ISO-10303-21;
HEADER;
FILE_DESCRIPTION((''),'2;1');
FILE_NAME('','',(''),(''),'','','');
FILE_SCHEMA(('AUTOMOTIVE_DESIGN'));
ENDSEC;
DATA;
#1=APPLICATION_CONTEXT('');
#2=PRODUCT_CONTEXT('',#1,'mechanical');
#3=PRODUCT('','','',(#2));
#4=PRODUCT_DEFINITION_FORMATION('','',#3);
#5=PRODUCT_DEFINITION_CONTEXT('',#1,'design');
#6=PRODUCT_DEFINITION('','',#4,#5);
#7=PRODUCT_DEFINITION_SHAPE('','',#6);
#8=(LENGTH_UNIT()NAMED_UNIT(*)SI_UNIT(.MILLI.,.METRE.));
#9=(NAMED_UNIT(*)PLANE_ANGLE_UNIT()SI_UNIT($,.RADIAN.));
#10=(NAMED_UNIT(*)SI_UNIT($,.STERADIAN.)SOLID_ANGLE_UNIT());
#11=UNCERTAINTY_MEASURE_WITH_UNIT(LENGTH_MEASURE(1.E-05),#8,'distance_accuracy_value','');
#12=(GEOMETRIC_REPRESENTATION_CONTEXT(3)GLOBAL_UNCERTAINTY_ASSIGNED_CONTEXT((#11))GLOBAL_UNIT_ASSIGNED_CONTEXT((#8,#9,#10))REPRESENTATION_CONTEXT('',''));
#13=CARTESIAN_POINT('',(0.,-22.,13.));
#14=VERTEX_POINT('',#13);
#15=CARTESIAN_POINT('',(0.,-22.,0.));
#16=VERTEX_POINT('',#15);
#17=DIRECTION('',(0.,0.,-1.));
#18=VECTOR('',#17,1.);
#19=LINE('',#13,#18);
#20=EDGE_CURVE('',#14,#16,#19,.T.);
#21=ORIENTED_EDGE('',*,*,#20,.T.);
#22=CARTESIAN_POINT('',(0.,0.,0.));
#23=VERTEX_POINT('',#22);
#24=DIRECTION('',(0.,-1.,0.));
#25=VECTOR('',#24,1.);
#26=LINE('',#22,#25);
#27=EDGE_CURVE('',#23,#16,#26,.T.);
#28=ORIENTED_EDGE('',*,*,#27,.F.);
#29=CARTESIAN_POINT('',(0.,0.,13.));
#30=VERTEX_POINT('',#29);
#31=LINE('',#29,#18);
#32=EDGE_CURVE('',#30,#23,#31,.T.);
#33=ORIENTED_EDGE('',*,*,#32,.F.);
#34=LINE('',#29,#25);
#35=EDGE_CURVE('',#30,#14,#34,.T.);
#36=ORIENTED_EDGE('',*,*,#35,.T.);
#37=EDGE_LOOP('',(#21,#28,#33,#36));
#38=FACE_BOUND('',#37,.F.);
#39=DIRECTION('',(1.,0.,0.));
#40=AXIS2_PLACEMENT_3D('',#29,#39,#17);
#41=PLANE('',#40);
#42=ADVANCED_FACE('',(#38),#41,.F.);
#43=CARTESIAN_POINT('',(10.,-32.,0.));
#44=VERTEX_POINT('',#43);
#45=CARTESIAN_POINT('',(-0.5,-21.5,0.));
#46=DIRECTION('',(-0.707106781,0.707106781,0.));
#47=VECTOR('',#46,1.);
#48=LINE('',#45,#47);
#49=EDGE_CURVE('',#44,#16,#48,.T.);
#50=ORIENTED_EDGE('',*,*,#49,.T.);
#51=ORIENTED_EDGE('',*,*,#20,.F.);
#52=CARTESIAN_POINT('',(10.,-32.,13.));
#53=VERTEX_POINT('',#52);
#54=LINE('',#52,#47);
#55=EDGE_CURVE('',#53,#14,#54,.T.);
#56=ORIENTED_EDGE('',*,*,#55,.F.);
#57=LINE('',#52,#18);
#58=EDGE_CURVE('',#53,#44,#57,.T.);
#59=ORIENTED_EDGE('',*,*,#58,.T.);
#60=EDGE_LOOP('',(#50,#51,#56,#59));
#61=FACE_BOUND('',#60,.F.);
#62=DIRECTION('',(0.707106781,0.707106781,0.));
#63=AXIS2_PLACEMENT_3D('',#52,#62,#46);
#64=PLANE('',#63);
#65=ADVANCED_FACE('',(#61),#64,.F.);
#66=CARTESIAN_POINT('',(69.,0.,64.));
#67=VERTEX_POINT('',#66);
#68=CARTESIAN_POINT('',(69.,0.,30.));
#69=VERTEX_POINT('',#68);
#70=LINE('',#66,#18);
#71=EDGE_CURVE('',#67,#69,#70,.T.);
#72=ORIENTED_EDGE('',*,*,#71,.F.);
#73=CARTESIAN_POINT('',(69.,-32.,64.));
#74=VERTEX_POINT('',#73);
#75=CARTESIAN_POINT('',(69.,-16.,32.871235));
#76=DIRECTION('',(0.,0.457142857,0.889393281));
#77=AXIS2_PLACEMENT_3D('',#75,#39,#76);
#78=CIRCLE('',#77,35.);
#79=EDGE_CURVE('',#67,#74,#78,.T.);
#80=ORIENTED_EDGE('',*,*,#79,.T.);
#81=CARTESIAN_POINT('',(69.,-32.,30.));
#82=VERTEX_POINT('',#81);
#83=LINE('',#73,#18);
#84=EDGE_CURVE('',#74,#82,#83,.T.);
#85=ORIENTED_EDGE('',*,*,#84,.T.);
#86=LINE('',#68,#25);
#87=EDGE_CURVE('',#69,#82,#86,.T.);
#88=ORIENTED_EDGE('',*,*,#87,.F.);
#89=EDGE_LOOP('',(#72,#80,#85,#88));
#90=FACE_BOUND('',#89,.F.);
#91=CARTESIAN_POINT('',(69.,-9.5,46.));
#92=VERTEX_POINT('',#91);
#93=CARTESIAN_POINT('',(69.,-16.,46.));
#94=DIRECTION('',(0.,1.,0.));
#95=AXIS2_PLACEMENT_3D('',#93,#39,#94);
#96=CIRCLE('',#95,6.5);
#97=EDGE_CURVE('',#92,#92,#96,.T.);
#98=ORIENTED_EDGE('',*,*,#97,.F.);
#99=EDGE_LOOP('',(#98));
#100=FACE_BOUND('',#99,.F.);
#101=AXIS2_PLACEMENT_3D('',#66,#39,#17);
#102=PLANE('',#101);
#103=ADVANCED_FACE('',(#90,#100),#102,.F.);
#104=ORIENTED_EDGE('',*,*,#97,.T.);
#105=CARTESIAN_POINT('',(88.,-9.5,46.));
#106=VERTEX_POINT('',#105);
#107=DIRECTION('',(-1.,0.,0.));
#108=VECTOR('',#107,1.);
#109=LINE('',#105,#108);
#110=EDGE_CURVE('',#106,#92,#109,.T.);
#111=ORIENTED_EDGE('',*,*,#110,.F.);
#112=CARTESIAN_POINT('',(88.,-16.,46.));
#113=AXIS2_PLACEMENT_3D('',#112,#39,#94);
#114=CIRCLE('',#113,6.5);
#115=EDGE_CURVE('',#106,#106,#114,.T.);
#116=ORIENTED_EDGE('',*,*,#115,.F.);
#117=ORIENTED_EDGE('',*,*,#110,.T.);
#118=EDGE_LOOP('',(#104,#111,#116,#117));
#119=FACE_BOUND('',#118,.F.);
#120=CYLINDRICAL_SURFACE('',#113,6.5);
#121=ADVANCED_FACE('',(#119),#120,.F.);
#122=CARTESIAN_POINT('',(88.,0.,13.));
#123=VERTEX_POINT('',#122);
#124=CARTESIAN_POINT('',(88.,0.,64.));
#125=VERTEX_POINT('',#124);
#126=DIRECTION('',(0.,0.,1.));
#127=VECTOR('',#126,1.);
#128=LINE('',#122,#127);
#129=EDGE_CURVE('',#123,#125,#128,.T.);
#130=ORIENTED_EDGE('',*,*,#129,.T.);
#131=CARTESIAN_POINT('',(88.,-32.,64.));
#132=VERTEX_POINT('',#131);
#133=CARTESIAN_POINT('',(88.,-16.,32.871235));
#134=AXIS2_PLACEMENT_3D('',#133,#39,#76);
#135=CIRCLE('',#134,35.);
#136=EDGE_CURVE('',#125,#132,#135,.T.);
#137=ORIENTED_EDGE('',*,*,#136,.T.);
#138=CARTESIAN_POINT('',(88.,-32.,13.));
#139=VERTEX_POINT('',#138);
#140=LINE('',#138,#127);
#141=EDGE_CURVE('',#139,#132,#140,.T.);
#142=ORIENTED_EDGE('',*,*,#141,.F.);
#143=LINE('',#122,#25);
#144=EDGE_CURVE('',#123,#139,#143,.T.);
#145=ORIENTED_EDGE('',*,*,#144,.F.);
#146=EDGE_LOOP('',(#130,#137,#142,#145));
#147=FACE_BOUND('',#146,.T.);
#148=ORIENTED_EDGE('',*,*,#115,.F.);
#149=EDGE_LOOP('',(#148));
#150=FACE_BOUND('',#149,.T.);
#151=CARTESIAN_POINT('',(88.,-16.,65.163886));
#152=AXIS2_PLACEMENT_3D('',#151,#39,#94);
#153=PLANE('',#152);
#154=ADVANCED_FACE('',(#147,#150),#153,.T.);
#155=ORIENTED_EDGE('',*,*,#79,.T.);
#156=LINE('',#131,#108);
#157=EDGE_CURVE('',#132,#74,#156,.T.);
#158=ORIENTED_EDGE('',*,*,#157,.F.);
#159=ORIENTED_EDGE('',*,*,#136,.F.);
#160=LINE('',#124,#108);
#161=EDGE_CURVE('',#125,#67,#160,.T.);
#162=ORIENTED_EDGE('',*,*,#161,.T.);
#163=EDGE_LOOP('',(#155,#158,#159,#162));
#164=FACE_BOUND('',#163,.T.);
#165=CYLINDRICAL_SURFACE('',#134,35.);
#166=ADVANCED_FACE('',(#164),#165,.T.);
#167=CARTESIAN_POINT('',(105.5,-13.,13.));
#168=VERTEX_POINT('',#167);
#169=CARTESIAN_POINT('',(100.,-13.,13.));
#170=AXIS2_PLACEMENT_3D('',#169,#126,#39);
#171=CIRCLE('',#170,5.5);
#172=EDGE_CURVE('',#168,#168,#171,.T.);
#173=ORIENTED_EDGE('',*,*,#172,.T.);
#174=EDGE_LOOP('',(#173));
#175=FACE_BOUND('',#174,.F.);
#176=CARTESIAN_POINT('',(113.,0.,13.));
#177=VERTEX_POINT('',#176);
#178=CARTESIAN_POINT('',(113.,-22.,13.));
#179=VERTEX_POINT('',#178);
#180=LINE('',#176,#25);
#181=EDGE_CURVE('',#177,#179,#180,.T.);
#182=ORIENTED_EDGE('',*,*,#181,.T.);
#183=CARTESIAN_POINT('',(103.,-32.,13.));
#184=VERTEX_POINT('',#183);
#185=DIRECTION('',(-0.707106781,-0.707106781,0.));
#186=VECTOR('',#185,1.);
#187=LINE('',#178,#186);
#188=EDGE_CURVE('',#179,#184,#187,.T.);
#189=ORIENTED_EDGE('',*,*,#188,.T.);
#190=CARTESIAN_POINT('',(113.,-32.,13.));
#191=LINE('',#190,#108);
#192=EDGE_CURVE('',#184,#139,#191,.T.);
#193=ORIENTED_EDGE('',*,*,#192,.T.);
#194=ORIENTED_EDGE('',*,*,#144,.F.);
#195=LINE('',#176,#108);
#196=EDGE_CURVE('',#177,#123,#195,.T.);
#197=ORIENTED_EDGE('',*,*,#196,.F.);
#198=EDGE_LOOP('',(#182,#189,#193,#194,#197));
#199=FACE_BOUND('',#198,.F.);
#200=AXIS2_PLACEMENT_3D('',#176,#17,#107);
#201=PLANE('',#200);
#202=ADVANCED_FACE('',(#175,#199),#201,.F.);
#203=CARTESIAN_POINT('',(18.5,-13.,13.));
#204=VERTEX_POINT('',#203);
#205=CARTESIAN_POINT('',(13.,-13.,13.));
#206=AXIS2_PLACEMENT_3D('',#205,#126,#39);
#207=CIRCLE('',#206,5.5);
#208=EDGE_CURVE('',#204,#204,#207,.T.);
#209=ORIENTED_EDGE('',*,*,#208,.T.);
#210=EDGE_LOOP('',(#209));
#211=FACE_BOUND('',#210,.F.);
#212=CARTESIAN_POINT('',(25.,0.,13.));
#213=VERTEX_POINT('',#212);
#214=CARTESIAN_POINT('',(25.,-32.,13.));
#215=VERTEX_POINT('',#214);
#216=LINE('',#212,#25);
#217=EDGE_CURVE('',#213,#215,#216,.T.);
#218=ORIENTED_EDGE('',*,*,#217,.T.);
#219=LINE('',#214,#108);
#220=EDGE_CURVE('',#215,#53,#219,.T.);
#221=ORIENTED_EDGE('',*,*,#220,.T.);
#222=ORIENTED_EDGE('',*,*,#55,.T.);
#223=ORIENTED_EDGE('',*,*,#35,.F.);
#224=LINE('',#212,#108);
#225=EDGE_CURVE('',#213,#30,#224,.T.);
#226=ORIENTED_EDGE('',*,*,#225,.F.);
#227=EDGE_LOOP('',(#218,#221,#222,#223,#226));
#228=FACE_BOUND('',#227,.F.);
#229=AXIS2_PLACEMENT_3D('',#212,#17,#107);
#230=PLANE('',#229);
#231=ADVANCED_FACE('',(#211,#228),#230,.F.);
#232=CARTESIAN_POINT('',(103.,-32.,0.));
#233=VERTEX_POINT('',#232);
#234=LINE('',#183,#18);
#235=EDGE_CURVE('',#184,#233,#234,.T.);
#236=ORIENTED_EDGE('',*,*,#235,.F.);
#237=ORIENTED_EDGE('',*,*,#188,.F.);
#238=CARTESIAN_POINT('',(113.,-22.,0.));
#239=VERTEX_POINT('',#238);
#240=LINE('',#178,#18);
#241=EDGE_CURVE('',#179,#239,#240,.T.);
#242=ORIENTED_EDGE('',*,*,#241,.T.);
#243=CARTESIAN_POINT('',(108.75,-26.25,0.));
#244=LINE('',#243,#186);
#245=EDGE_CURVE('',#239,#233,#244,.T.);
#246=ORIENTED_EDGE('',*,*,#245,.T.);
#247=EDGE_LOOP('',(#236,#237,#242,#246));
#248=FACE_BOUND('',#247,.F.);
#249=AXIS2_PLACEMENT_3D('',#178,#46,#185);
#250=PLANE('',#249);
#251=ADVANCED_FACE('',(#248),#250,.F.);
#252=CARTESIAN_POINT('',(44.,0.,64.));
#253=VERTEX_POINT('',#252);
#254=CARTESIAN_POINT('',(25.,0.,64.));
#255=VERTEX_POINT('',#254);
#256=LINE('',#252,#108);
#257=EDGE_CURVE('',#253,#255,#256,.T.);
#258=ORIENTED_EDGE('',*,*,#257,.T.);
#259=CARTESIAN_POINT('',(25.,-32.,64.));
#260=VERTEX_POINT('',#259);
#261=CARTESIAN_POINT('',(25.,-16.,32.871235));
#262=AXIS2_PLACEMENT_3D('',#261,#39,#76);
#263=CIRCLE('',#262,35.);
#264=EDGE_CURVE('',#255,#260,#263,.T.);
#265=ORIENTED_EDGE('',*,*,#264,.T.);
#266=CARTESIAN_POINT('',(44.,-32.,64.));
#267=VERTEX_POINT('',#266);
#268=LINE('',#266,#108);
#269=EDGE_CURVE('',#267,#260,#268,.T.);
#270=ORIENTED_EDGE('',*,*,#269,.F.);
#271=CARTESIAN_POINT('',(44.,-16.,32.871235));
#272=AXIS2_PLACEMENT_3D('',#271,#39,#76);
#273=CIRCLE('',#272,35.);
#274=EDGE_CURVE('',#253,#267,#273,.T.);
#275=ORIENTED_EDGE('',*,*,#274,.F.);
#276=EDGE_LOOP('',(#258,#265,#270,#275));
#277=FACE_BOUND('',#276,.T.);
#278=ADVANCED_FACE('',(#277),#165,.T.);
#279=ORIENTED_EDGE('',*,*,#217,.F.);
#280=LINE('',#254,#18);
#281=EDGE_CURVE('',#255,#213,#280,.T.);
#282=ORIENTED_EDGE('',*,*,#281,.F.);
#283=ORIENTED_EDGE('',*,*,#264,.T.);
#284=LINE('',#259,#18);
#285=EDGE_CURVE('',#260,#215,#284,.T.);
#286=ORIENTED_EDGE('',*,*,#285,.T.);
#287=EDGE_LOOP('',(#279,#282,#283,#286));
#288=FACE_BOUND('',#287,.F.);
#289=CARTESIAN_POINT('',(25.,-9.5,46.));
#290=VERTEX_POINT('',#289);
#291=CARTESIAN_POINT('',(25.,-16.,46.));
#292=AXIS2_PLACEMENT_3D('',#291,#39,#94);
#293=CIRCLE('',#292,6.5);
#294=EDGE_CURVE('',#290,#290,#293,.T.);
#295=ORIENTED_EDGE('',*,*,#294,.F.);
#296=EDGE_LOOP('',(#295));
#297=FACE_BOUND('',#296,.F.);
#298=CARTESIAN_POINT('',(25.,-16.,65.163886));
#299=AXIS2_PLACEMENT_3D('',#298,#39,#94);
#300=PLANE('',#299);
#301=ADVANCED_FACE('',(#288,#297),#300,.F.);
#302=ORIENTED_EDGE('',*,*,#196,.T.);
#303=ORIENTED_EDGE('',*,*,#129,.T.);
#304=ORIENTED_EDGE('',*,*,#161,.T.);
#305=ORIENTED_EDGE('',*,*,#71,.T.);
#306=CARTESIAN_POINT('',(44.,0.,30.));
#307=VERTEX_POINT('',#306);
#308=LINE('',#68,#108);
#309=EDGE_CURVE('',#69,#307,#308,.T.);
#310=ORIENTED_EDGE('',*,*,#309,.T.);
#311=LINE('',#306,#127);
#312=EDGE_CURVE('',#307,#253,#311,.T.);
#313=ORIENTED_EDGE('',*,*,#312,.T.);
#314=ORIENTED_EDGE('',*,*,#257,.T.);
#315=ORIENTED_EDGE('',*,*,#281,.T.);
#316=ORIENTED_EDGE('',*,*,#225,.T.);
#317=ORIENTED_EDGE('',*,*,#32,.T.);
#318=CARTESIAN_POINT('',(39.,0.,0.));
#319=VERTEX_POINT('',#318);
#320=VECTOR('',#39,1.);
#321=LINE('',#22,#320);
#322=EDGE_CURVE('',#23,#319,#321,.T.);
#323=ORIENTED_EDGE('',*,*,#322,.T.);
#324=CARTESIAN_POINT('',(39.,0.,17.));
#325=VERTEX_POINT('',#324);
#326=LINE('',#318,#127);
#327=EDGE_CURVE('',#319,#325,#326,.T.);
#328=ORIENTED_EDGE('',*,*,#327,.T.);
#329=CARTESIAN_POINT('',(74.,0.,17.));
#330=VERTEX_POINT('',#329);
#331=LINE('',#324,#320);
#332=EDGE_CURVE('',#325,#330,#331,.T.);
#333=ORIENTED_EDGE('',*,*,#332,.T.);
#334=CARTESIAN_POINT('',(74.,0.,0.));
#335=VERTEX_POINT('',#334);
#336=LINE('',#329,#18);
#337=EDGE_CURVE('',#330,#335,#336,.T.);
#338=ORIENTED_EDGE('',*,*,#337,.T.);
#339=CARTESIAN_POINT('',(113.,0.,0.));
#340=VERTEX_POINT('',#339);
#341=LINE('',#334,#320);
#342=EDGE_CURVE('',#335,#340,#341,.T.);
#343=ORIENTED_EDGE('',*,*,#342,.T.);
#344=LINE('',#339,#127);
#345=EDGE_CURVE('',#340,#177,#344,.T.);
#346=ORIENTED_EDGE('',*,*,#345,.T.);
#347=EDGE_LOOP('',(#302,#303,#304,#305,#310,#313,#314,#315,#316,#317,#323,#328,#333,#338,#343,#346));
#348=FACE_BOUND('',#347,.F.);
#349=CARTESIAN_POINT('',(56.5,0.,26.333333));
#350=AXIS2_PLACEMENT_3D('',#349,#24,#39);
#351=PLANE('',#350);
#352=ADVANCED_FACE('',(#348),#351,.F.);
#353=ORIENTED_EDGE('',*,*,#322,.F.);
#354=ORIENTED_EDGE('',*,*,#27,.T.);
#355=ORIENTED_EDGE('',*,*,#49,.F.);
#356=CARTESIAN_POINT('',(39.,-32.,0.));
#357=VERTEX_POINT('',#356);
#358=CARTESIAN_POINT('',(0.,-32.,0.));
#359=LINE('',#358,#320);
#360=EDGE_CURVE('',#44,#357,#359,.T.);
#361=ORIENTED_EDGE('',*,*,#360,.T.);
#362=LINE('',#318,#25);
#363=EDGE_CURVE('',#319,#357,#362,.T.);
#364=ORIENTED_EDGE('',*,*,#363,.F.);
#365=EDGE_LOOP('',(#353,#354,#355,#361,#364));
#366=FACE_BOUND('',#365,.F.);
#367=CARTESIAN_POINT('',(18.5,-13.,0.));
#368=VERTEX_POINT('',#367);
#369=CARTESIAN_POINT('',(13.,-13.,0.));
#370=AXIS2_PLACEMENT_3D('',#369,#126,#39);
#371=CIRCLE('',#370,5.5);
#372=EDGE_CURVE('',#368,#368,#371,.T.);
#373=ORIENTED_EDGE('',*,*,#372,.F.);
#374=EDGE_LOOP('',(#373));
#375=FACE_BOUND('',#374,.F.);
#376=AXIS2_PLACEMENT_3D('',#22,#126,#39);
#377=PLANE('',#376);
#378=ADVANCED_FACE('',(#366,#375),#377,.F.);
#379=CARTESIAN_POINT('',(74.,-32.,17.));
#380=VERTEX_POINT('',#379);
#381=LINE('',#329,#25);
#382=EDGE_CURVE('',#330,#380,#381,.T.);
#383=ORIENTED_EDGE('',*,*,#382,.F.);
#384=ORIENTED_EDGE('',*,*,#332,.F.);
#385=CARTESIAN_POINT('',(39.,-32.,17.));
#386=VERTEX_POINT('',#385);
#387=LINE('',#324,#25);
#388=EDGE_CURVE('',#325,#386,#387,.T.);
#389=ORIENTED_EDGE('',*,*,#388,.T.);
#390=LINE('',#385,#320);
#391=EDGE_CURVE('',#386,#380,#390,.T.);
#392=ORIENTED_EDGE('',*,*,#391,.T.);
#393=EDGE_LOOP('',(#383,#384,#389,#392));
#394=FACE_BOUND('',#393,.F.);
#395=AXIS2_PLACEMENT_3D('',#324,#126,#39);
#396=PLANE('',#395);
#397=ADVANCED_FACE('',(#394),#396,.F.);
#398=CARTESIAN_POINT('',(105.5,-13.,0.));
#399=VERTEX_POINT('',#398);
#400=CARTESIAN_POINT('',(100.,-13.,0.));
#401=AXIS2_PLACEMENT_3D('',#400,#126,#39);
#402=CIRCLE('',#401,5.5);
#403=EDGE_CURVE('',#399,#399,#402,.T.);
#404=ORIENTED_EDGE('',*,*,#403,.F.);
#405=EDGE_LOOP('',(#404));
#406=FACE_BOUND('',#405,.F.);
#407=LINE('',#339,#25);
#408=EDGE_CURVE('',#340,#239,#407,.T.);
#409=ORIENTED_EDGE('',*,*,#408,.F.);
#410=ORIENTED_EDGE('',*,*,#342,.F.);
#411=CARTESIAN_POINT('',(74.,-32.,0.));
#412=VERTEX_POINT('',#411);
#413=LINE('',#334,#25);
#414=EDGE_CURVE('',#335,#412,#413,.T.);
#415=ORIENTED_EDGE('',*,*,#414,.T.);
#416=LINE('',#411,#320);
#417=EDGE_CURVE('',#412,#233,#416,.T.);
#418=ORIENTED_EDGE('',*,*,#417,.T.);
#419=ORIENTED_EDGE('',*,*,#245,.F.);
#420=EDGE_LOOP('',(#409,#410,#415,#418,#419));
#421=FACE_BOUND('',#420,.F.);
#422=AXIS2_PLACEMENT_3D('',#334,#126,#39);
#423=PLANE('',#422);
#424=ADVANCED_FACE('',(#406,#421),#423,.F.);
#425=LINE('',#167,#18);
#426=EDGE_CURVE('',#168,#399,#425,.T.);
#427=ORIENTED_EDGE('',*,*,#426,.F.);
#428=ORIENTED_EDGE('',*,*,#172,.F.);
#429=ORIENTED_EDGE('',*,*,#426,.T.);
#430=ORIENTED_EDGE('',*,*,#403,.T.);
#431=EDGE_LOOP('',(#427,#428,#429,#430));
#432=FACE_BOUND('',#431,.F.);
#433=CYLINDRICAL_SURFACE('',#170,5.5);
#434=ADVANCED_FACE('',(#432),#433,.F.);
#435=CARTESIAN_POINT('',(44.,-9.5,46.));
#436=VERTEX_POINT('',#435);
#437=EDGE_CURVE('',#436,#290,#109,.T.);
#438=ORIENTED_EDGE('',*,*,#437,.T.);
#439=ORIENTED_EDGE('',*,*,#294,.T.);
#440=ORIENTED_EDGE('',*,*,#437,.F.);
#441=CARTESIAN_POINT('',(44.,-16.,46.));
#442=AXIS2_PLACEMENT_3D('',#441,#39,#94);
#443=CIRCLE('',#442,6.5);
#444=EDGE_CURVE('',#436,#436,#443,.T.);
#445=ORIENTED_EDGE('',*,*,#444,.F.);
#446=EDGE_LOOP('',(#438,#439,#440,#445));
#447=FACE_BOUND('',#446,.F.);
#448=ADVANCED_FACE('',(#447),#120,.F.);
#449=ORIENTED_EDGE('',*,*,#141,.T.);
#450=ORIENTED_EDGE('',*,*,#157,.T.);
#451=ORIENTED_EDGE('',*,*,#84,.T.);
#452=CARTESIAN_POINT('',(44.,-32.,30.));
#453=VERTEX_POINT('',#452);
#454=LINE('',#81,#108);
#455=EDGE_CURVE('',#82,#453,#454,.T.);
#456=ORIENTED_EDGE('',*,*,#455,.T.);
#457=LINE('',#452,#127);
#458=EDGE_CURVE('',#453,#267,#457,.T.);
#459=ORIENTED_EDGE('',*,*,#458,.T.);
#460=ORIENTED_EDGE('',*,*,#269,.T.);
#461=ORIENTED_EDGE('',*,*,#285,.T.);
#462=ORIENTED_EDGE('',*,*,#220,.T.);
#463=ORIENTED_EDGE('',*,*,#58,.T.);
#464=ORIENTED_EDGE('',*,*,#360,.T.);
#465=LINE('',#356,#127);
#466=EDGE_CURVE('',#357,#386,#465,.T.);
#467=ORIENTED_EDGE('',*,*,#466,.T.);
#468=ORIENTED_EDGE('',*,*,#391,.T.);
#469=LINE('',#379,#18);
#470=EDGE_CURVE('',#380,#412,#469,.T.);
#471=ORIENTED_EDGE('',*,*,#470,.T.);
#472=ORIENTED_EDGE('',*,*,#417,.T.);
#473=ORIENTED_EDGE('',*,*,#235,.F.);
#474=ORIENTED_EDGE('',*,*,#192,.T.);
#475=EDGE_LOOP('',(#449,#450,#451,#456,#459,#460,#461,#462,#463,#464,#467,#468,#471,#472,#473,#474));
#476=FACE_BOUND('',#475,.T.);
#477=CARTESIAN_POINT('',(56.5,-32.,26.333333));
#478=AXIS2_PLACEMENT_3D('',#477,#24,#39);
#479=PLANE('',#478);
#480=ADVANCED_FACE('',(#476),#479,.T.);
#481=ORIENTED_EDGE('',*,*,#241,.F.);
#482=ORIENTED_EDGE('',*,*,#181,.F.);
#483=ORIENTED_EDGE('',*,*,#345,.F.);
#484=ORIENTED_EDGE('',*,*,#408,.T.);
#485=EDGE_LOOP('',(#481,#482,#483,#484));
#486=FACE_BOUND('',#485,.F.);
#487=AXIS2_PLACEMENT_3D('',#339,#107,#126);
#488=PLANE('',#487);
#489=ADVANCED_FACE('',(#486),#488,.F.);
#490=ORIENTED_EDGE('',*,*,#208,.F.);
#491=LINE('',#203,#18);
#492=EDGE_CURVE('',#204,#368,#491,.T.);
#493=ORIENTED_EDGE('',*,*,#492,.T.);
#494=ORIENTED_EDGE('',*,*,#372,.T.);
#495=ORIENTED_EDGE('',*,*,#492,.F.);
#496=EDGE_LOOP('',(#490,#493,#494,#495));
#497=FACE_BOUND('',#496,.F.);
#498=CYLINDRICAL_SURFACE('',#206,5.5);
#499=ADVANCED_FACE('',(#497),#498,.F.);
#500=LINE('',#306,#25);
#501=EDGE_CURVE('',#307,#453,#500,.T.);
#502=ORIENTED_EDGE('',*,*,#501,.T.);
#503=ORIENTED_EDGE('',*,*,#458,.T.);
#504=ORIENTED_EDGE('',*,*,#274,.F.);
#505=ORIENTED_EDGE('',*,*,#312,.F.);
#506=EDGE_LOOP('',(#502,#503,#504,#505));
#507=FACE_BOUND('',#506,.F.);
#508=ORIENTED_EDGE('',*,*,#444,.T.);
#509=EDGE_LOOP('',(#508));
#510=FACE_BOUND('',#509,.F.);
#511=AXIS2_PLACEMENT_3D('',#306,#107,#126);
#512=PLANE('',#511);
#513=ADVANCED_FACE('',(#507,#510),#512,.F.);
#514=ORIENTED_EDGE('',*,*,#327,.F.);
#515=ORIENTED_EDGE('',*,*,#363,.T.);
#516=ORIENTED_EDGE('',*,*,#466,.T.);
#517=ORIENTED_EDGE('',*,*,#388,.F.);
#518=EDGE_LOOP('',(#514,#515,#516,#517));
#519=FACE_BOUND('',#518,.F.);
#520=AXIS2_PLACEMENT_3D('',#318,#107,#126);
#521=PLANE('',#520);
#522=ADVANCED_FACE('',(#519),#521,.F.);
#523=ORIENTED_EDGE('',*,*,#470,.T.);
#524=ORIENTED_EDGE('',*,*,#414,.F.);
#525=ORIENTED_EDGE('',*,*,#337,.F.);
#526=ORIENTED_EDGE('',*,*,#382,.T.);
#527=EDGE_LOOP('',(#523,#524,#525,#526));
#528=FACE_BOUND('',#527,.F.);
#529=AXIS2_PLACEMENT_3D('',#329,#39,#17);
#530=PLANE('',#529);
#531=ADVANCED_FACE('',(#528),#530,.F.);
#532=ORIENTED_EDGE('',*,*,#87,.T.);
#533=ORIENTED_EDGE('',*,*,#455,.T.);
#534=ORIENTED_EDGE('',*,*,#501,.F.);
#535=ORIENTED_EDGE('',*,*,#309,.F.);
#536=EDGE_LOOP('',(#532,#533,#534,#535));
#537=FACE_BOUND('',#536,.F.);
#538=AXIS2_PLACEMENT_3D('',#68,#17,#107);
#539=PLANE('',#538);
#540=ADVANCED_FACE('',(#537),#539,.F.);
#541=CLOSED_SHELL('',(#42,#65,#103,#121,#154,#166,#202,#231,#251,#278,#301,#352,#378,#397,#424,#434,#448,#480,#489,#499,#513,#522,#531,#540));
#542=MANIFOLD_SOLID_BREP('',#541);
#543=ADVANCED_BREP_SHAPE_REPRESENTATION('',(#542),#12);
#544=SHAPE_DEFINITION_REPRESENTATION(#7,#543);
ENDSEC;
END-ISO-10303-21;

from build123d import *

# Parameters (mm, degrees)
F1_DEPTH  = 32
F2_R      = 5.5
F3_DEPTH  = 13.001
F4_R      = 5.5
F5_DEPTH  = 13.001
F6_R      = 6.5
F7_DEPTH  = 88.001
F9_DEPTH  = 13.001
F11_DEPTH = 13.001
F14_DEPTH = 63
F17_DEPTH = 63
F18_W     = 25
F18_H     = 4.4557750225
F19_DEPTH = 32.001


with BuildPart() as f1:
    # F0 (on Front) → F1 (new body)
    with BuildSketch(Plane.XZ):
        Polygon((0, 13), (0, 0), (39, 0), (39, 17), (74, 17), (74, 0), (113, 0), (113, 13), (88, 13), (88, 64), (69, 64), (69, 30), (44, 30), (44, 64), (25, 64), (25, 13), align=None)
    extrude(amount=F1_DEPTH)

    # F2 (on face) → F3 (cut, through all)
    with BuildSketch(Plane.XY.offset(13)):
        with Locations((100, -13)):
            Circle(F2_R)
    extrude(amount=-F3_DEPTH, mode=Mode.SUBTRACT)

    # F4 (on face) → F5 (cut, through all)
    with BuildSketch(Plane.XY.offset(13)):
        with Locations((13, -13)):
            Circle(F4_R)
    extrude(amount=-F5_DEPTH, mode=Mode.SUBTRACT)

    # F6 (on face) → F7 (cut, through all)
    with BuildSketch(Plane.YZ.offset(88)):
        with Locations((-16, 46)):
            Circle(F6_R)
    extrude(amount=-F7_DEPTH, mode=Mode.SUBTRACT)

    # F8 (on face) → F9 (cut, through all)
    with BuildSketch(Plane.XY.offset(13)):
        Polygon((103, -32), (113, -32), (113, -22), align=None)
    extrude(amount=-F9_DEPTH, mode=Mode.SUBTRACT)

    # F10 (on face) → F11 (cut, through all)
    with BuildSketch(Plane.XY.offset(13)):
        Polygon((10, -32), (0, -22), (0, -32), align=None)
    extrude(amount=-F11_DEPTH, mode=Mode.SUBTRACT)

    # F16 (on face) → F17 (join)
    with BuildSketch(Plane.YZ.offset(88)):
        with BuildLine():
            Line((-32, 64), (0, 64))
            ThreePointArc((0, 64), (-16, 67.8712351675), (-32, 64))
        make_face()
    extrude(amount=-F17_DEPTH)

    # F18 (on Front) → F19 (cut, through all)
    with BuildSketch(Plane.XZ):
        with Locations((56.5, 66.2278875113)):
            Rectangle(F18_W, F18_H)
    extrude(amount=F19_DEPTH, mode=Mode.SUBTRACT)


with BuildPart() as f14:
    # F13 (on face) → F14 (new body)
    with BuildSketch(Plane.YZ.offset(88)):
        with BuildLine():
            Line((-32, 64), (0, 64))
            ThreePointArc((0, 64), (-16, 67.8712351675), (-32, 64))
        make_face()
    extrude(amount=-F14_DEPTH)


solid = f1.part
